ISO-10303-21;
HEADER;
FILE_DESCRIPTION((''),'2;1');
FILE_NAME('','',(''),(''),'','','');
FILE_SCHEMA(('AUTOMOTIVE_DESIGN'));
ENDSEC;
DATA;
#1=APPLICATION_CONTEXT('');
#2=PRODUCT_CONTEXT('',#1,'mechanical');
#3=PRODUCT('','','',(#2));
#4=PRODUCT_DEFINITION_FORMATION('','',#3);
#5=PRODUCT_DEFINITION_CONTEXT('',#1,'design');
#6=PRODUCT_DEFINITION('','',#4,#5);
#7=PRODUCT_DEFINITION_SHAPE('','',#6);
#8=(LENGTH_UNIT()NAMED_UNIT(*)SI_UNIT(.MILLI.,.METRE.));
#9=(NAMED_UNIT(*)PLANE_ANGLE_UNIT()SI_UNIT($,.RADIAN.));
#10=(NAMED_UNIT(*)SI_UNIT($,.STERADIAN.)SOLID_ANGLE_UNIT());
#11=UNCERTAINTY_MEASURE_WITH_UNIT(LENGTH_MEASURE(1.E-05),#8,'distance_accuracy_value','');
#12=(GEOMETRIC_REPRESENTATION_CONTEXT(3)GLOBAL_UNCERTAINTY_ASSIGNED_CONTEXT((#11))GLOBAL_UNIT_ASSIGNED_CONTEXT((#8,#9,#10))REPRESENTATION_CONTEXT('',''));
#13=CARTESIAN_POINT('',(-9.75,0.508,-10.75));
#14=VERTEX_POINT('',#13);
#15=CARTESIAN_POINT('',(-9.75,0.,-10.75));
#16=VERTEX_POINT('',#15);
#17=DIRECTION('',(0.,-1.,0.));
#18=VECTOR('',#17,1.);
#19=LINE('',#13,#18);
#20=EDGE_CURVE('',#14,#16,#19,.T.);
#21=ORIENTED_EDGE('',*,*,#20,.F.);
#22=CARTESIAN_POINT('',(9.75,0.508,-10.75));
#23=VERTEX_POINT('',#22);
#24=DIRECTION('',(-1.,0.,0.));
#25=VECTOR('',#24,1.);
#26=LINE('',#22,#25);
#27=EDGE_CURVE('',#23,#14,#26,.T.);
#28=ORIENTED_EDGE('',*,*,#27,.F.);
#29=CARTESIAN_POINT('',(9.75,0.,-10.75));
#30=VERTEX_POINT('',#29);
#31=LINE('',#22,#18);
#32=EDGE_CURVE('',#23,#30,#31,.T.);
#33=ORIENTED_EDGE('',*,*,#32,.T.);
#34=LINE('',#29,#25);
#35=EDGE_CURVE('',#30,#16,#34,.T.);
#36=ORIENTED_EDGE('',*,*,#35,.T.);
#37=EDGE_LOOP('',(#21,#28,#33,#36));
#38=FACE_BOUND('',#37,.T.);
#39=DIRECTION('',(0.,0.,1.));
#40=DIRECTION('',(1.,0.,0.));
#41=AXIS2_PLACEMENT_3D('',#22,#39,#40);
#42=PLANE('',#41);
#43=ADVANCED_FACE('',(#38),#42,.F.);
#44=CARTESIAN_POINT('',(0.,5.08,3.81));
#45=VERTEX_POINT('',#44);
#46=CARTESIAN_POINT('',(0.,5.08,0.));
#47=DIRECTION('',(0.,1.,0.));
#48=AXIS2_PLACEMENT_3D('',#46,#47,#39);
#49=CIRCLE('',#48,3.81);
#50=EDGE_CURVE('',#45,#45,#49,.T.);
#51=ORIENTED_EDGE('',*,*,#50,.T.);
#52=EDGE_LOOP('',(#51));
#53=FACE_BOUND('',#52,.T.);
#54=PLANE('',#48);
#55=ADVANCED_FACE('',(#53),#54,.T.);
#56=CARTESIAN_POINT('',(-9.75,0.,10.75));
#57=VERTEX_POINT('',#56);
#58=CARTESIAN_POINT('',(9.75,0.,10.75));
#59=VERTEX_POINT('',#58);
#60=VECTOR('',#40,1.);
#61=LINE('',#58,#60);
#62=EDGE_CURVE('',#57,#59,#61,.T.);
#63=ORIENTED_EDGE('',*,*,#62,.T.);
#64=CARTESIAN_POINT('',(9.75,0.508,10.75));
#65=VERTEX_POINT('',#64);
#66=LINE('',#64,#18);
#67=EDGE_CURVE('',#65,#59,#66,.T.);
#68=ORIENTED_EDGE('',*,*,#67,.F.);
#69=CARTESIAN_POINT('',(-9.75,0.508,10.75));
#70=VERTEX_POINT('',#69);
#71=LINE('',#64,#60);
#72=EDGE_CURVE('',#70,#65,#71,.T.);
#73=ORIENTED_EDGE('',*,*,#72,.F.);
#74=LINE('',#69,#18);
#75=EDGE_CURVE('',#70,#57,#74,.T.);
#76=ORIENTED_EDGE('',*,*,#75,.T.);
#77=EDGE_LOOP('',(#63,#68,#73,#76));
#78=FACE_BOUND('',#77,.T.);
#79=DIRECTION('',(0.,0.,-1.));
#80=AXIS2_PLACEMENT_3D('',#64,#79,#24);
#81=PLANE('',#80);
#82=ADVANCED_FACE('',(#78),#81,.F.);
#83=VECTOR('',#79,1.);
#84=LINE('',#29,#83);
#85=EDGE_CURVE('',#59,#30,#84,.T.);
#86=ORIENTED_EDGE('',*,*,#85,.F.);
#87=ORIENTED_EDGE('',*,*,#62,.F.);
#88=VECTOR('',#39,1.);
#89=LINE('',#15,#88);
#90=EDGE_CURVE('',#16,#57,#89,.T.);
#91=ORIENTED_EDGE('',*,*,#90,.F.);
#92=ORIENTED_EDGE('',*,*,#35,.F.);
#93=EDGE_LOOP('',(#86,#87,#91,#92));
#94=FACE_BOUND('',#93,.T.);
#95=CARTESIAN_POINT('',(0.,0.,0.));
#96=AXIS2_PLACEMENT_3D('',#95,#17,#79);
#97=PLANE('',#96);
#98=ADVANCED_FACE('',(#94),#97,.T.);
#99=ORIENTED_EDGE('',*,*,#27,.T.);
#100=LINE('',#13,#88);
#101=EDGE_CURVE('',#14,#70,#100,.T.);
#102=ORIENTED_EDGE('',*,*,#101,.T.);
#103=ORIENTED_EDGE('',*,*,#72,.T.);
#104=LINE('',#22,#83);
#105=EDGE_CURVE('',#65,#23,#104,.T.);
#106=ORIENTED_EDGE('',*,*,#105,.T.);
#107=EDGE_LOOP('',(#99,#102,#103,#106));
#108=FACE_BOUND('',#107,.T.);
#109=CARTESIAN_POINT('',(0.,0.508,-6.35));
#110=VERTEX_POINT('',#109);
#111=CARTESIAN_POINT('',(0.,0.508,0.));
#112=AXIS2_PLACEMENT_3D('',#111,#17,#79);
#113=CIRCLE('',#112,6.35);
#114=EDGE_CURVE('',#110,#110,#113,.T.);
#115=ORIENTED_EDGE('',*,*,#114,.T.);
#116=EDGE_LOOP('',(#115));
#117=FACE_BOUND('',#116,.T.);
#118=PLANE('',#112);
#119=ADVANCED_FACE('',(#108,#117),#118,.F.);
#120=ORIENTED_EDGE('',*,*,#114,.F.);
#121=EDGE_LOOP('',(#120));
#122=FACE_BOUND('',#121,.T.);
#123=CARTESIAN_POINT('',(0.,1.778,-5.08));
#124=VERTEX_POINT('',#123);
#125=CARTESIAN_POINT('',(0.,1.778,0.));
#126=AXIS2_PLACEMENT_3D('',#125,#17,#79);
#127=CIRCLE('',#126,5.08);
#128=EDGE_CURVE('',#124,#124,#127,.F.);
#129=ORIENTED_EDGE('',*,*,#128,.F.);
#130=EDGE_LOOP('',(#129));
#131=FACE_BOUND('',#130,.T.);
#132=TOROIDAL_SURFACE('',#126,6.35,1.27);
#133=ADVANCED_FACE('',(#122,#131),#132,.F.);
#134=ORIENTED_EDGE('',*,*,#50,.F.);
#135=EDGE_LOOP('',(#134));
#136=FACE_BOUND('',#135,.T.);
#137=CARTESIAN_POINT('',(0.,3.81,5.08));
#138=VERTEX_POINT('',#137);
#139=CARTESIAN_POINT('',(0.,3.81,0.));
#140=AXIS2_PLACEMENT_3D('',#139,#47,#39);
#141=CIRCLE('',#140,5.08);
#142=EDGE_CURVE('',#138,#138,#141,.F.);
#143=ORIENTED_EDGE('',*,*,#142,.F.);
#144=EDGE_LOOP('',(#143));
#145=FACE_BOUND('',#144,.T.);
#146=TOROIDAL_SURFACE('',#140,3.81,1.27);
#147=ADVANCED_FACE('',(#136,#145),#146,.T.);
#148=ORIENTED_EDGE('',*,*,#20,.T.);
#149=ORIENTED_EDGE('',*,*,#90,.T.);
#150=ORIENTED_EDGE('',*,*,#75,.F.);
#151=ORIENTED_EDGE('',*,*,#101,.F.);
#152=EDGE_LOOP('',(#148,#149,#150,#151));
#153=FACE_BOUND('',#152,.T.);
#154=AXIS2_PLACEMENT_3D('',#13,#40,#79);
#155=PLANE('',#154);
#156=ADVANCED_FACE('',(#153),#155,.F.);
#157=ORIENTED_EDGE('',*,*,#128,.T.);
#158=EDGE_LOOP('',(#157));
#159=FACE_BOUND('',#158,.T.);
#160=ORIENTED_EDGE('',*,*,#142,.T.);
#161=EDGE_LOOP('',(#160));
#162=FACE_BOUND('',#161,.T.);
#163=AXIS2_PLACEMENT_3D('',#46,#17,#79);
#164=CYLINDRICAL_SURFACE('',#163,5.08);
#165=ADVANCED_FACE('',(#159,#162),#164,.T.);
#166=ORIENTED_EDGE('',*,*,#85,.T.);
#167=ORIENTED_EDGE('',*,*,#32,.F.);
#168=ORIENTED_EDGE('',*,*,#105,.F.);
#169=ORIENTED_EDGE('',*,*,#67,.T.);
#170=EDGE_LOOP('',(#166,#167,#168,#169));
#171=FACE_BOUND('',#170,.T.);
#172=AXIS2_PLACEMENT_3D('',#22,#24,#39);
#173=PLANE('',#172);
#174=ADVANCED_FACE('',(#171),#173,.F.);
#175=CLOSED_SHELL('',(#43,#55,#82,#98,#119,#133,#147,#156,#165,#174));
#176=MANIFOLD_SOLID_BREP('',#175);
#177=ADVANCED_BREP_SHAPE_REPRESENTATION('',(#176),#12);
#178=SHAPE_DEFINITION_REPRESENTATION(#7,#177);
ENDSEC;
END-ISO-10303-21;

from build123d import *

# Parameters (mm, degrees)
SKETCH1_W           = 19.5
SKETCH1_H           = 21.5
BOSS_EXTRUDE1_DEPTH = 0.508
SKETCH2_R           = 5.08
BOSS_EXTRUDE2_DEPTH = 5.08
FILLET1_R           = 1.27


with BuildPart() as part:
    # Sketch1 → Boss-Extrude1 (new body)
    with BuildSketch(Plane(origin=(0, 0, 0), x_dir=(1, 0, 0), z_dir=(0, 1, 0))):
        Rectangle(SKETCH1_W, SKETCH1_H)
    extrude(amount=BOSS_EXTRUDE1_DEPTH)

    # Sketch2 → Boss-Extrude2 (add)
    with BuildSketch(Plane(origin=(0, 0, 0), x_dir=(1, 0, 0), z_dir=(0, 1, 0))):
        Circle(SKETCH2_R)
    extrude(amount=BOSS_EXTRUDE2_DEPTH)

    # Fillet1
    fillet1_edges = [part.edges().sort_by_distance(p)[0] for p in [
        (-5.08, 0.508, 0),
        (-5.08, 5.08, 0),
    ]]
    fillet(fillet1_edges, radius=FILLET1_R)


solid = part.part
